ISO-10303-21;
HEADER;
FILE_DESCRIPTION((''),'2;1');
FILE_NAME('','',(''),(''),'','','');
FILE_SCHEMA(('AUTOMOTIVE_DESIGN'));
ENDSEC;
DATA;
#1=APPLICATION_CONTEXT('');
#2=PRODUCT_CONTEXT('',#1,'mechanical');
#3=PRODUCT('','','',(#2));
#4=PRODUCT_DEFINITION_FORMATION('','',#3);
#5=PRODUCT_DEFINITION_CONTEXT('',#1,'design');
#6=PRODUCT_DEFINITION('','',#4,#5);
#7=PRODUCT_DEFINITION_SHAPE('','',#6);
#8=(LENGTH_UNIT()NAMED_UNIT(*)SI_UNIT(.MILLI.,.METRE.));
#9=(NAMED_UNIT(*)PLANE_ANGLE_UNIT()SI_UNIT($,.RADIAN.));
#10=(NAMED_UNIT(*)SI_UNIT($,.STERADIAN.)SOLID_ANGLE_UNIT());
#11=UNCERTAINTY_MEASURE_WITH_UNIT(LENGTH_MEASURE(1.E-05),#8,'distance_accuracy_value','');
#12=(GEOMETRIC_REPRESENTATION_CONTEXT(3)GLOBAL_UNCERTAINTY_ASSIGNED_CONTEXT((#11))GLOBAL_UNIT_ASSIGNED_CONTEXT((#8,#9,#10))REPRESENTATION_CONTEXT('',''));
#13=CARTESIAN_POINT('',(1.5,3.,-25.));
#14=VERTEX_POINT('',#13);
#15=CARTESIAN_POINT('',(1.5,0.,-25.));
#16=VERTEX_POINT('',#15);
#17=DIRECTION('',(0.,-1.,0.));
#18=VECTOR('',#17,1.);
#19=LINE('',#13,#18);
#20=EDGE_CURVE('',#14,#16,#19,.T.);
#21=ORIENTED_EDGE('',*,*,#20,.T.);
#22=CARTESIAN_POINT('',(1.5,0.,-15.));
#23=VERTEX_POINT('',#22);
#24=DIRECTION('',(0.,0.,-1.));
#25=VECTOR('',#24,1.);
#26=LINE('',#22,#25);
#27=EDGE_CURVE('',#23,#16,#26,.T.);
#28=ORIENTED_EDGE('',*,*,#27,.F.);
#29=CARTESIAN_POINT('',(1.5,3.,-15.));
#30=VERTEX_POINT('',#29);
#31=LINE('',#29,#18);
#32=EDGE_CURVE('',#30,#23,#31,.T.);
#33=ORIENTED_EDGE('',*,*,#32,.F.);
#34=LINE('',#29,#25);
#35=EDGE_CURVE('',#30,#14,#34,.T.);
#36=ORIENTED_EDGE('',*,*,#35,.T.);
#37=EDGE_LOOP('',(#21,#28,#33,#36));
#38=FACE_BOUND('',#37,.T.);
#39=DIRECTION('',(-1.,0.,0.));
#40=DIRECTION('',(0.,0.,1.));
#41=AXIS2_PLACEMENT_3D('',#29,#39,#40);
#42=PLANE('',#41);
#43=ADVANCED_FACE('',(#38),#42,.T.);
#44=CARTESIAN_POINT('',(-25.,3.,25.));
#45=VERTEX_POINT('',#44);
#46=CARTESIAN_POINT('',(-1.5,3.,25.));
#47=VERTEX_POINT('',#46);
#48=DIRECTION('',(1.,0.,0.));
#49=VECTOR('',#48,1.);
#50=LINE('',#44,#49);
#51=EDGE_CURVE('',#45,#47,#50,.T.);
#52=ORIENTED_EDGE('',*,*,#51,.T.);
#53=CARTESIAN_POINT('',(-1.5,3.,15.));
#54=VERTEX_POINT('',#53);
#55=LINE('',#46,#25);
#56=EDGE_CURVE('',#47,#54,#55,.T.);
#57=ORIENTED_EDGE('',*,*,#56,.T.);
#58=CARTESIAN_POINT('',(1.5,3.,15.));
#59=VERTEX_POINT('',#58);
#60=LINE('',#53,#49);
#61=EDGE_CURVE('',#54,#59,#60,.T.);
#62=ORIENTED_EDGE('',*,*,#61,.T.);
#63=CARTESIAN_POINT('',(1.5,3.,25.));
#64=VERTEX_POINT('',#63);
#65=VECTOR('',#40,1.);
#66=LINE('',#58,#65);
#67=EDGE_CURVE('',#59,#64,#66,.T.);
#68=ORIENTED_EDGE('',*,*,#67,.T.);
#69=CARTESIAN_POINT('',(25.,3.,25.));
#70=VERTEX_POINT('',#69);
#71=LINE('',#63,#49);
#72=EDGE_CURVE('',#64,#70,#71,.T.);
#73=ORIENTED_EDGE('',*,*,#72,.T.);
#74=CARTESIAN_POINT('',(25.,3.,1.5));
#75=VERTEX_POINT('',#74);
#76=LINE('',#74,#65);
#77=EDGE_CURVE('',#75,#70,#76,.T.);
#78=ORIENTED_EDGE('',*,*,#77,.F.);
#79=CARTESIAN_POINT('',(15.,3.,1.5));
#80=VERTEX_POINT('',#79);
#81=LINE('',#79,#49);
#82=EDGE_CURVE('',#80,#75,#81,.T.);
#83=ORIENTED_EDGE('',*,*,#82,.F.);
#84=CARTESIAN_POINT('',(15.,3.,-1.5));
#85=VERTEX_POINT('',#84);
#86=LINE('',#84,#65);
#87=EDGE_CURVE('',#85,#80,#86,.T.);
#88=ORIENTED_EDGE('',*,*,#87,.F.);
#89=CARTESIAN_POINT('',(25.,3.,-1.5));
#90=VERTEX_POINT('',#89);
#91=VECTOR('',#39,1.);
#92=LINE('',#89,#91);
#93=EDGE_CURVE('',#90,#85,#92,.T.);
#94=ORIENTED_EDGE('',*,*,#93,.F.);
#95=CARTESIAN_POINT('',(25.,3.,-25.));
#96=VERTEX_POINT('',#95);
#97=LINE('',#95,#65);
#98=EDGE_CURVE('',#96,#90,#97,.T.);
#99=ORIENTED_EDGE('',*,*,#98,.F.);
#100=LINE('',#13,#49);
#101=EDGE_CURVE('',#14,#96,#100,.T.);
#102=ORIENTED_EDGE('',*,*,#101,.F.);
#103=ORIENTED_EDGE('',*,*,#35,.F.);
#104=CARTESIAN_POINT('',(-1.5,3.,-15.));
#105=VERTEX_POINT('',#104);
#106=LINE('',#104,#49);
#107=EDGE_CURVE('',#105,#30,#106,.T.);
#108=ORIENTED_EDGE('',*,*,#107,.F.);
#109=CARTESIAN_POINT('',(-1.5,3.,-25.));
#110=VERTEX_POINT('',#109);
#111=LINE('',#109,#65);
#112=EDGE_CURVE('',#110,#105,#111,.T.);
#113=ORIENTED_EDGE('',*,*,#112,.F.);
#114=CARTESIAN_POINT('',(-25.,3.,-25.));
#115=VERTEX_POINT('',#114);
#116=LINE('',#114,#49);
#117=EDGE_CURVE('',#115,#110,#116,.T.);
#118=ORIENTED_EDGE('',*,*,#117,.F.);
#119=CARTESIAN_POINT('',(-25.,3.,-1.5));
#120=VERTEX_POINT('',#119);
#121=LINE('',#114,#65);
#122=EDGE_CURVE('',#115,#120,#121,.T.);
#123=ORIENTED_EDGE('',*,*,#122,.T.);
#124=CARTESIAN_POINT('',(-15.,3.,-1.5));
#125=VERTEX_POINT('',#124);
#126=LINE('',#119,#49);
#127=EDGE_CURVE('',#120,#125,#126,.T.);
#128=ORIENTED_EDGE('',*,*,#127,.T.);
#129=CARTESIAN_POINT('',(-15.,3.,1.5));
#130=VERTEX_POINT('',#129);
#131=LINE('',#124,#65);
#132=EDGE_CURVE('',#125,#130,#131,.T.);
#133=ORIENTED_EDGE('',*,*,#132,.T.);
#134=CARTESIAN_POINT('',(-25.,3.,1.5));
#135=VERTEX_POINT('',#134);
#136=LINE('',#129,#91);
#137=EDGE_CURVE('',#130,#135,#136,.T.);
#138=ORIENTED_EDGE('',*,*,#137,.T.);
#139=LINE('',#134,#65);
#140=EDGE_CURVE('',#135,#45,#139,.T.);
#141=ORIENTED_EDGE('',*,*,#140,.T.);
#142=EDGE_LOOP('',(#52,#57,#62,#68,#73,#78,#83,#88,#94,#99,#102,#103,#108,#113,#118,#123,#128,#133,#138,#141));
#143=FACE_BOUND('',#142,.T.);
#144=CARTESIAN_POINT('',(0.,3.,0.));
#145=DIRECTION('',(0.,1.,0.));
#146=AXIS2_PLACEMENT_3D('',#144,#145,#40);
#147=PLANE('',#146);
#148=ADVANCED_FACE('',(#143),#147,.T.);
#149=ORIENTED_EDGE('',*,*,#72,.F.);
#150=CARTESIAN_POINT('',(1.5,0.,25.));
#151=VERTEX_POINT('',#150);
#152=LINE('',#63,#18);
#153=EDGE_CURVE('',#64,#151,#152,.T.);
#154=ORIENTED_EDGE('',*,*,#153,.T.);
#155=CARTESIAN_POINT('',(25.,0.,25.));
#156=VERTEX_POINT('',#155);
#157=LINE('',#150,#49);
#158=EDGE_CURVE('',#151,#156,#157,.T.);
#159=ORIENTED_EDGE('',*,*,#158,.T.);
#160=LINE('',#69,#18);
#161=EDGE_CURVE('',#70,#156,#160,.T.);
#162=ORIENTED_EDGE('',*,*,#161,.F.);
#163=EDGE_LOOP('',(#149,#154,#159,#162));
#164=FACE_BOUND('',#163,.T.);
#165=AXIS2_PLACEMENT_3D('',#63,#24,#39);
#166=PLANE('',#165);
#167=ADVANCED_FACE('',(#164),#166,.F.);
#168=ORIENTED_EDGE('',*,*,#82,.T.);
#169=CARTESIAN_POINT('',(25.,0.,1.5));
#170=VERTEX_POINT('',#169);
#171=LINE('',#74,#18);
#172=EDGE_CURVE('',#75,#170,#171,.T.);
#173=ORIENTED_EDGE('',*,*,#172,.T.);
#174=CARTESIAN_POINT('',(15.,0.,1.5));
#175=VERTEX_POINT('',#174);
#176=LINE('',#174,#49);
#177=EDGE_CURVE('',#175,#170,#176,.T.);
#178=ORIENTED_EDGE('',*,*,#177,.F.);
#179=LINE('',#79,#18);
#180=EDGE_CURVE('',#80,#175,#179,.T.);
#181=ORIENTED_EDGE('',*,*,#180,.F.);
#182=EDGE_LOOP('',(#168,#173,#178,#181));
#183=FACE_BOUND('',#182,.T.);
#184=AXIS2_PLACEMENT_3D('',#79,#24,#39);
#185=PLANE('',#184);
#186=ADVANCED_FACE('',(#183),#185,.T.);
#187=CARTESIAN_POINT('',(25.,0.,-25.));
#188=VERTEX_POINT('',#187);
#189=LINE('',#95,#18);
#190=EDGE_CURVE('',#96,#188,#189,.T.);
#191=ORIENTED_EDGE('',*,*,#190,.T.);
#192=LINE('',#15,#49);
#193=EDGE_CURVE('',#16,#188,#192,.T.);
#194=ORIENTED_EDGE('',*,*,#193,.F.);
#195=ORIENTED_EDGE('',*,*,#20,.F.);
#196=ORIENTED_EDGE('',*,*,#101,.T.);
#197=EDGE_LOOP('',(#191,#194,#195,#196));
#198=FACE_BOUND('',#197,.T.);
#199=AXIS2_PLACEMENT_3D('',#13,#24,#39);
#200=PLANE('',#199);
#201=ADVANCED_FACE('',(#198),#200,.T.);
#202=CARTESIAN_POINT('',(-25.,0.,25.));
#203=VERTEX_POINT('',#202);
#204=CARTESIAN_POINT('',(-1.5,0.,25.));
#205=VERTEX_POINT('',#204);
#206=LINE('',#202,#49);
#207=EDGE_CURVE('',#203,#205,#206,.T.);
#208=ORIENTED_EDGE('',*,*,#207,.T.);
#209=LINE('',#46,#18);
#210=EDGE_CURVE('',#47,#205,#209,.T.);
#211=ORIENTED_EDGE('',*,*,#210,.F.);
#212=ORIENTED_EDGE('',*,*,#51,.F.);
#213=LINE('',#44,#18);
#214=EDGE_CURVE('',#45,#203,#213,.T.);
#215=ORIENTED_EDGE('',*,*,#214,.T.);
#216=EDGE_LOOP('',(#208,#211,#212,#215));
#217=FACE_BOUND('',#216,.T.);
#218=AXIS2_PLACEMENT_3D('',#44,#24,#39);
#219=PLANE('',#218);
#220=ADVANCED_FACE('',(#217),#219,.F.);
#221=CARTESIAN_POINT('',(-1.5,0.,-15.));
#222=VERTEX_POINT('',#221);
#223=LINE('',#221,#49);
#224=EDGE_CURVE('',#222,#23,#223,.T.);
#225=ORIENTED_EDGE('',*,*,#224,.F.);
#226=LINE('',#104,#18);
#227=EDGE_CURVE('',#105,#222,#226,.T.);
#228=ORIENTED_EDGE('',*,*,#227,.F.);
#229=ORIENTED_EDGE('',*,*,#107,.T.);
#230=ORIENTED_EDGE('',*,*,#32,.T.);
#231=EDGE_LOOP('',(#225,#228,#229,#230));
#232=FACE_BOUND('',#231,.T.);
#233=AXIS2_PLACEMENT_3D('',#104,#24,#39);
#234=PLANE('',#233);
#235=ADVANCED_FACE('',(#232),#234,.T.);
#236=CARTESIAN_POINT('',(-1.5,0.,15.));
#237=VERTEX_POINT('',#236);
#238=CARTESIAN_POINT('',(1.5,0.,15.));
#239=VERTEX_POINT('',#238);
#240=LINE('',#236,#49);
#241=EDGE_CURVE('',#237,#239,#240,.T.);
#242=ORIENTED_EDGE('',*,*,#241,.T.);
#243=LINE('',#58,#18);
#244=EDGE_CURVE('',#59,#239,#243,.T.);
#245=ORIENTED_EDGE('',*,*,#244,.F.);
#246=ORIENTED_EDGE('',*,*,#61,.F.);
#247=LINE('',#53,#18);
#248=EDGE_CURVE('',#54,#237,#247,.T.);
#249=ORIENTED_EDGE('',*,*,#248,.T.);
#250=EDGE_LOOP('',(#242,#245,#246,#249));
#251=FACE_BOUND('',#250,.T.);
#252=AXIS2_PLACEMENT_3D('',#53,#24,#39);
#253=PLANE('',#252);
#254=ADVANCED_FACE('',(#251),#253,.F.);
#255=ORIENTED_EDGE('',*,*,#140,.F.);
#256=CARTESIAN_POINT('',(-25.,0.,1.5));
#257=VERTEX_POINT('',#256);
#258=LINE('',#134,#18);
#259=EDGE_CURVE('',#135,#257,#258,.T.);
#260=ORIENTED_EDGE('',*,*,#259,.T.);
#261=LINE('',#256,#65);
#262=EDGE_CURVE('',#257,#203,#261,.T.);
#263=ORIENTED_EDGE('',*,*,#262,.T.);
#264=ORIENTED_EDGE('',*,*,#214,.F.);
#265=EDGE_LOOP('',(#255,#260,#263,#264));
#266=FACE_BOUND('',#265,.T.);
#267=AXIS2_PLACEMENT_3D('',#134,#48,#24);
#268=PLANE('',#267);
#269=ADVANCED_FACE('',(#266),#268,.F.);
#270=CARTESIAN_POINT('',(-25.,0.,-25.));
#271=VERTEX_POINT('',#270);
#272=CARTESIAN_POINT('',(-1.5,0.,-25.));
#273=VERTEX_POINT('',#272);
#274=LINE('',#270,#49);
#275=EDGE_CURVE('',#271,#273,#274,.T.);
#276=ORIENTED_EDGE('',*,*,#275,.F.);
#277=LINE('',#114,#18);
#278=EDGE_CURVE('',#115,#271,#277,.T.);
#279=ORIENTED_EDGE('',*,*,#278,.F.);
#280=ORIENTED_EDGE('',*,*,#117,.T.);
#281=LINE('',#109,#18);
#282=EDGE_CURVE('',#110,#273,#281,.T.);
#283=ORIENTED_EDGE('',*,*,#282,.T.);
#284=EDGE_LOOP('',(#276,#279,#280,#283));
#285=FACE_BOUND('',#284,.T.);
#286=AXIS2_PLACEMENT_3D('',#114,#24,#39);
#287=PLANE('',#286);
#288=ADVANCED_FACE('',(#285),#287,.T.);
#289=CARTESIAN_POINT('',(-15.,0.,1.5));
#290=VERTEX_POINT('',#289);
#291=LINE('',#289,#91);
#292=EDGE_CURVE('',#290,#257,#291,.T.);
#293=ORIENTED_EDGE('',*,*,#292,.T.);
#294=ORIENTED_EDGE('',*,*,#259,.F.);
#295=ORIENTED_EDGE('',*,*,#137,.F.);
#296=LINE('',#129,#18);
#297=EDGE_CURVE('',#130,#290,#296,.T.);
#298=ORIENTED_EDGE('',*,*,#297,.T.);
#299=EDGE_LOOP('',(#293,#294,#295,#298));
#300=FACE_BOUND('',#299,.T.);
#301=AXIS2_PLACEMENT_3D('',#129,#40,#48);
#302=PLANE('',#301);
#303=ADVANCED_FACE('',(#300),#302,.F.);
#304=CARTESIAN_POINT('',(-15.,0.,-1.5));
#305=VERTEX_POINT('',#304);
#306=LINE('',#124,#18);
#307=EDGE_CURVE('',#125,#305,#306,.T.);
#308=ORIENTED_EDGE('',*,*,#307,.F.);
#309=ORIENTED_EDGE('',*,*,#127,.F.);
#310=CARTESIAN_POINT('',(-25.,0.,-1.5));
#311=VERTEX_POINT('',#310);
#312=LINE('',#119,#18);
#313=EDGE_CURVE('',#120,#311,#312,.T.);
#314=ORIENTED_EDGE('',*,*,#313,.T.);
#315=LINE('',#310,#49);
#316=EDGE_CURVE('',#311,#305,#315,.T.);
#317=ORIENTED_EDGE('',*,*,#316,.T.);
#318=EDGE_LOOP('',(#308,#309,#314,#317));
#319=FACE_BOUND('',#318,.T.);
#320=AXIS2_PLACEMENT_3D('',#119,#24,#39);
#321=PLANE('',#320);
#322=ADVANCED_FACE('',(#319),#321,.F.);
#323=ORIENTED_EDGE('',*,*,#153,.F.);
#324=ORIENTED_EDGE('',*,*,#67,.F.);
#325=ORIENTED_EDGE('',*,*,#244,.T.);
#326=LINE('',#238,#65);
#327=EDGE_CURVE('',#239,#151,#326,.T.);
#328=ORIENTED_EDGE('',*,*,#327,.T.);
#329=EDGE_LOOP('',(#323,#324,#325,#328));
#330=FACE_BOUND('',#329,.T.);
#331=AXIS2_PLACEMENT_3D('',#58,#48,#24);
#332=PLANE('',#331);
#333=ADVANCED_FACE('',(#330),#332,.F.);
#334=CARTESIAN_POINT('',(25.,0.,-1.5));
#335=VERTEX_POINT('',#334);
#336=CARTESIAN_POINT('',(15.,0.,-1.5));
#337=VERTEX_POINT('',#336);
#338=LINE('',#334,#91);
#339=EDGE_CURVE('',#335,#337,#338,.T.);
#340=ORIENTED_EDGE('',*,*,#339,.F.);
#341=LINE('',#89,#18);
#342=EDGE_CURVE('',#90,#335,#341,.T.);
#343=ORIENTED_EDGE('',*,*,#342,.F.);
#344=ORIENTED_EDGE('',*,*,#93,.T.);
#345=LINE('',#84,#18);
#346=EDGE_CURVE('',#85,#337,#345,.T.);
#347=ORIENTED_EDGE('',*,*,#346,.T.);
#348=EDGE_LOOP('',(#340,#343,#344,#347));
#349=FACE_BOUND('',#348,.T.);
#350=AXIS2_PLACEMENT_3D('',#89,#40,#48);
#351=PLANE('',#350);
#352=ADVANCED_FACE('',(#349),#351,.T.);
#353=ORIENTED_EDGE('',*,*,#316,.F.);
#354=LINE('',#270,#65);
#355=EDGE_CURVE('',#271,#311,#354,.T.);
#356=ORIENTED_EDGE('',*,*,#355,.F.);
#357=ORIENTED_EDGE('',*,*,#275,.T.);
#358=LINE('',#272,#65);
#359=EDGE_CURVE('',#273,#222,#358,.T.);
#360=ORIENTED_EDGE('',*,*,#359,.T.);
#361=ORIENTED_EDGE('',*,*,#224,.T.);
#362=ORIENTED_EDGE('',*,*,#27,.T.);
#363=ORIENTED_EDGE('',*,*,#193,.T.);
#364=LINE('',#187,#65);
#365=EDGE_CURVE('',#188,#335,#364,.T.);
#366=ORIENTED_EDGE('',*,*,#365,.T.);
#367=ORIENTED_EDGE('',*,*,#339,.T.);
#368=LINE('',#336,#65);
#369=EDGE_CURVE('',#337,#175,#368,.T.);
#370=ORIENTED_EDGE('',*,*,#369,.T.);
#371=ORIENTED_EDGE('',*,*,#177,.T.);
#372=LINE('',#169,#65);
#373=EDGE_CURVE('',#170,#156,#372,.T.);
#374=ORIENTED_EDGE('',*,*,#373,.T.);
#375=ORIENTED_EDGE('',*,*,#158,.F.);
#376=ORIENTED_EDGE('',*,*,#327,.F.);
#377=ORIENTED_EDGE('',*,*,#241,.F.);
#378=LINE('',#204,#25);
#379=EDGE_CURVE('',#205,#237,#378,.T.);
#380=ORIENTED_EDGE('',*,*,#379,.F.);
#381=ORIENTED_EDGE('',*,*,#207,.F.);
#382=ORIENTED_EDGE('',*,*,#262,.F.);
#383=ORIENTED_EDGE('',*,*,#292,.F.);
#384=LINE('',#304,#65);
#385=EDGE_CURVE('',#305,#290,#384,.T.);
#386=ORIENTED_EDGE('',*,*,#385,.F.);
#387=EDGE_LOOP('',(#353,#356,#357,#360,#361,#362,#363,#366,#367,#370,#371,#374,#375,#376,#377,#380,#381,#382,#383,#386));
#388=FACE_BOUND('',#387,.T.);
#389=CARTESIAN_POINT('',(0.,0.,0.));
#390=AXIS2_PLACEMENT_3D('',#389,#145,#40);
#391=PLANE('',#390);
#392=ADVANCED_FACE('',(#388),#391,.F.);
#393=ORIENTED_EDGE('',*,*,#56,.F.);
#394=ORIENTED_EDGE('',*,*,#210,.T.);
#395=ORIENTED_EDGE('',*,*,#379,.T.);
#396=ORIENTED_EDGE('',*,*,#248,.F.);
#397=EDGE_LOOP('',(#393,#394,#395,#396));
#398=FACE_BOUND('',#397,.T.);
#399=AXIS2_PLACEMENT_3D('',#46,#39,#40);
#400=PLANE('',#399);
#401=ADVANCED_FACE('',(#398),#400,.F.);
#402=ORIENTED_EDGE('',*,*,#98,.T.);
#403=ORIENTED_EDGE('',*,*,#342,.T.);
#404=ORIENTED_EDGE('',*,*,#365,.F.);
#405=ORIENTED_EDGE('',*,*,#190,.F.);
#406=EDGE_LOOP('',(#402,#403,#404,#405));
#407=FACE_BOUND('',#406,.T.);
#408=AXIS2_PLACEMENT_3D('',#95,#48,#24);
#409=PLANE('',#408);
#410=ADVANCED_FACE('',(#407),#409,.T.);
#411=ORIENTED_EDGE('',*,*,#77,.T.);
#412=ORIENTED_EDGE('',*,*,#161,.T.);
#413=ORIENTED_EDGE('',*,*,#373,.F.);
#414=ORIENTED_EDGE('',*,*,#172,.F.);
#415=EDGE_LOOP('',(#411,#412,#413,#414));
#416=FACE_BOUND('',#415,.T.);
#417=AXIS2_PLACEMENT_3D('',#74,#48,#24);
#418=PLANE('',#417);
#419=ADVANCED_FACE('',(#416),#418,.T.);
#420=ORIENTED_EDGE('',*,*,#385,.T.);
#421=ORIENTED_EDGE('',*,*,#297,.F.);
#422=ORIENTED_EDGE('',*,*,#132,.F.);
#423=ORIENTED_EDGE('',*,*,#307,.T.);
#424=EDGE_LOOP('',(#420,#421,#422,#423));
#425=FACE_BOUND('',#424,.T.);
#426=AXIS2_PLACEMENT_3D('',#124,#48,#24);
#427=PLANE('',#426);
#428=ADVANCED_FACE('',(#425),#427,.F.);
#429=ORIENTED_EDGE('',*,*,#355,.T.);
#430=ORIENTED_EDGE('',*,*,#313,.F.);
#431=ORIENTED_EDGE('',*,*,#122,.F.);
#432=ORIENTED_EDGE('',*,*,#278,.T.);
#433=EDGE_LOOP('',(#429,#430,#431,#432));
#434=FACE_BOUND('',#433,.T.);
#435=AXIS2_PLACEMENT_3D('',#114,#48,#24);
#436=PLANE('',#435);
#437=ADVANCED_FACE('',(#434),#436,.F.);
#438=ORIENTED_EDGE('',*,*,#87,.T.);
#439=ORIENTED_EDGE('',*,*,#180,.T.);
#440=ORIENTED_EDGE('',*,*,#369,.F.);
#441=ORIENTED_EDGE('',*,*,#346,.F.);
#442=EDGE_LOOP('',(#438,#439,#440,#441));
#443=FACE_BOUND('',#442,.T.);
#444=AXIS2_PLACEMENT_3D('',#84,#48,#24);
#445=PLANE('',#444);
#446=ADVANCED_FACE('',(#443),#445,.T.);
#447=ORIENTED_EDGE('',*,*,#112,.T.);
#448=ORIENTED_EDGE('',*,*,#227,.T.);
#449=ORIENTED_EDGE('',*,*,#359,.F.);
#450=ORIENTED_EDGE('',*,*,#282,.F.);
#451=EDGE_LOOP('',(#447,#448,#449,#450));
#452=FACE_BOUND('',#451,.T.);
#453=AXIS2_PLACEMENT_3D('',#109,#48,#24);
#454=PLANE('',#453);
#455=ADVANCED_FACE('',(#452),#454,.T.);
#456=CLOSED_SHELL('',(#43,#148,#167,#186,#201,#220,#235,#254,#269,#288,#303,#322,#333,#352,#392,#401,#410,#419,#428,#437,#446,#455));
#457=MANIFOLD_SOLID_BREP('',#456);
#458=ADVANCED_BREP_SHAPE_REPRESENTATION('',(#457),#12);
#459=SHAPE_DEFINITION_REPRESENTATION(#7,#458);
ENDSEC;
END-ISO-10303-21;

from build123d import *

# Parameters (mm, degrees)
BOSS_EXTRUDE1_DEPTH = 3


with BuildPart() as part:
    # Sketch1 → Boss-Extrude1 (new body)
    with BuildSketch(Plane(origin=(0, 0, 0), x_dir=(1, 0, 0), z_dir=(0, 1, 0))):
        Polygon((-1.5, 25), (-1.5, 15), (1.5, 15), (1.5, 25), (25, 25), (25, 1.5), (15, 1.5), (15, -1.5), (25, -1.5), (25, -25), (1.5, -25), (1.5, -15), (-1.5, -15), (-1.5, -25), (-25, -25), (-25, -1.5), (-15, -1.5), (-15, 1.5), (-25, 1.5), (-25, 25), align=None)
    extrude(amount=BOSS_EXTRUDE1_DEPTH)


solid = part.part
